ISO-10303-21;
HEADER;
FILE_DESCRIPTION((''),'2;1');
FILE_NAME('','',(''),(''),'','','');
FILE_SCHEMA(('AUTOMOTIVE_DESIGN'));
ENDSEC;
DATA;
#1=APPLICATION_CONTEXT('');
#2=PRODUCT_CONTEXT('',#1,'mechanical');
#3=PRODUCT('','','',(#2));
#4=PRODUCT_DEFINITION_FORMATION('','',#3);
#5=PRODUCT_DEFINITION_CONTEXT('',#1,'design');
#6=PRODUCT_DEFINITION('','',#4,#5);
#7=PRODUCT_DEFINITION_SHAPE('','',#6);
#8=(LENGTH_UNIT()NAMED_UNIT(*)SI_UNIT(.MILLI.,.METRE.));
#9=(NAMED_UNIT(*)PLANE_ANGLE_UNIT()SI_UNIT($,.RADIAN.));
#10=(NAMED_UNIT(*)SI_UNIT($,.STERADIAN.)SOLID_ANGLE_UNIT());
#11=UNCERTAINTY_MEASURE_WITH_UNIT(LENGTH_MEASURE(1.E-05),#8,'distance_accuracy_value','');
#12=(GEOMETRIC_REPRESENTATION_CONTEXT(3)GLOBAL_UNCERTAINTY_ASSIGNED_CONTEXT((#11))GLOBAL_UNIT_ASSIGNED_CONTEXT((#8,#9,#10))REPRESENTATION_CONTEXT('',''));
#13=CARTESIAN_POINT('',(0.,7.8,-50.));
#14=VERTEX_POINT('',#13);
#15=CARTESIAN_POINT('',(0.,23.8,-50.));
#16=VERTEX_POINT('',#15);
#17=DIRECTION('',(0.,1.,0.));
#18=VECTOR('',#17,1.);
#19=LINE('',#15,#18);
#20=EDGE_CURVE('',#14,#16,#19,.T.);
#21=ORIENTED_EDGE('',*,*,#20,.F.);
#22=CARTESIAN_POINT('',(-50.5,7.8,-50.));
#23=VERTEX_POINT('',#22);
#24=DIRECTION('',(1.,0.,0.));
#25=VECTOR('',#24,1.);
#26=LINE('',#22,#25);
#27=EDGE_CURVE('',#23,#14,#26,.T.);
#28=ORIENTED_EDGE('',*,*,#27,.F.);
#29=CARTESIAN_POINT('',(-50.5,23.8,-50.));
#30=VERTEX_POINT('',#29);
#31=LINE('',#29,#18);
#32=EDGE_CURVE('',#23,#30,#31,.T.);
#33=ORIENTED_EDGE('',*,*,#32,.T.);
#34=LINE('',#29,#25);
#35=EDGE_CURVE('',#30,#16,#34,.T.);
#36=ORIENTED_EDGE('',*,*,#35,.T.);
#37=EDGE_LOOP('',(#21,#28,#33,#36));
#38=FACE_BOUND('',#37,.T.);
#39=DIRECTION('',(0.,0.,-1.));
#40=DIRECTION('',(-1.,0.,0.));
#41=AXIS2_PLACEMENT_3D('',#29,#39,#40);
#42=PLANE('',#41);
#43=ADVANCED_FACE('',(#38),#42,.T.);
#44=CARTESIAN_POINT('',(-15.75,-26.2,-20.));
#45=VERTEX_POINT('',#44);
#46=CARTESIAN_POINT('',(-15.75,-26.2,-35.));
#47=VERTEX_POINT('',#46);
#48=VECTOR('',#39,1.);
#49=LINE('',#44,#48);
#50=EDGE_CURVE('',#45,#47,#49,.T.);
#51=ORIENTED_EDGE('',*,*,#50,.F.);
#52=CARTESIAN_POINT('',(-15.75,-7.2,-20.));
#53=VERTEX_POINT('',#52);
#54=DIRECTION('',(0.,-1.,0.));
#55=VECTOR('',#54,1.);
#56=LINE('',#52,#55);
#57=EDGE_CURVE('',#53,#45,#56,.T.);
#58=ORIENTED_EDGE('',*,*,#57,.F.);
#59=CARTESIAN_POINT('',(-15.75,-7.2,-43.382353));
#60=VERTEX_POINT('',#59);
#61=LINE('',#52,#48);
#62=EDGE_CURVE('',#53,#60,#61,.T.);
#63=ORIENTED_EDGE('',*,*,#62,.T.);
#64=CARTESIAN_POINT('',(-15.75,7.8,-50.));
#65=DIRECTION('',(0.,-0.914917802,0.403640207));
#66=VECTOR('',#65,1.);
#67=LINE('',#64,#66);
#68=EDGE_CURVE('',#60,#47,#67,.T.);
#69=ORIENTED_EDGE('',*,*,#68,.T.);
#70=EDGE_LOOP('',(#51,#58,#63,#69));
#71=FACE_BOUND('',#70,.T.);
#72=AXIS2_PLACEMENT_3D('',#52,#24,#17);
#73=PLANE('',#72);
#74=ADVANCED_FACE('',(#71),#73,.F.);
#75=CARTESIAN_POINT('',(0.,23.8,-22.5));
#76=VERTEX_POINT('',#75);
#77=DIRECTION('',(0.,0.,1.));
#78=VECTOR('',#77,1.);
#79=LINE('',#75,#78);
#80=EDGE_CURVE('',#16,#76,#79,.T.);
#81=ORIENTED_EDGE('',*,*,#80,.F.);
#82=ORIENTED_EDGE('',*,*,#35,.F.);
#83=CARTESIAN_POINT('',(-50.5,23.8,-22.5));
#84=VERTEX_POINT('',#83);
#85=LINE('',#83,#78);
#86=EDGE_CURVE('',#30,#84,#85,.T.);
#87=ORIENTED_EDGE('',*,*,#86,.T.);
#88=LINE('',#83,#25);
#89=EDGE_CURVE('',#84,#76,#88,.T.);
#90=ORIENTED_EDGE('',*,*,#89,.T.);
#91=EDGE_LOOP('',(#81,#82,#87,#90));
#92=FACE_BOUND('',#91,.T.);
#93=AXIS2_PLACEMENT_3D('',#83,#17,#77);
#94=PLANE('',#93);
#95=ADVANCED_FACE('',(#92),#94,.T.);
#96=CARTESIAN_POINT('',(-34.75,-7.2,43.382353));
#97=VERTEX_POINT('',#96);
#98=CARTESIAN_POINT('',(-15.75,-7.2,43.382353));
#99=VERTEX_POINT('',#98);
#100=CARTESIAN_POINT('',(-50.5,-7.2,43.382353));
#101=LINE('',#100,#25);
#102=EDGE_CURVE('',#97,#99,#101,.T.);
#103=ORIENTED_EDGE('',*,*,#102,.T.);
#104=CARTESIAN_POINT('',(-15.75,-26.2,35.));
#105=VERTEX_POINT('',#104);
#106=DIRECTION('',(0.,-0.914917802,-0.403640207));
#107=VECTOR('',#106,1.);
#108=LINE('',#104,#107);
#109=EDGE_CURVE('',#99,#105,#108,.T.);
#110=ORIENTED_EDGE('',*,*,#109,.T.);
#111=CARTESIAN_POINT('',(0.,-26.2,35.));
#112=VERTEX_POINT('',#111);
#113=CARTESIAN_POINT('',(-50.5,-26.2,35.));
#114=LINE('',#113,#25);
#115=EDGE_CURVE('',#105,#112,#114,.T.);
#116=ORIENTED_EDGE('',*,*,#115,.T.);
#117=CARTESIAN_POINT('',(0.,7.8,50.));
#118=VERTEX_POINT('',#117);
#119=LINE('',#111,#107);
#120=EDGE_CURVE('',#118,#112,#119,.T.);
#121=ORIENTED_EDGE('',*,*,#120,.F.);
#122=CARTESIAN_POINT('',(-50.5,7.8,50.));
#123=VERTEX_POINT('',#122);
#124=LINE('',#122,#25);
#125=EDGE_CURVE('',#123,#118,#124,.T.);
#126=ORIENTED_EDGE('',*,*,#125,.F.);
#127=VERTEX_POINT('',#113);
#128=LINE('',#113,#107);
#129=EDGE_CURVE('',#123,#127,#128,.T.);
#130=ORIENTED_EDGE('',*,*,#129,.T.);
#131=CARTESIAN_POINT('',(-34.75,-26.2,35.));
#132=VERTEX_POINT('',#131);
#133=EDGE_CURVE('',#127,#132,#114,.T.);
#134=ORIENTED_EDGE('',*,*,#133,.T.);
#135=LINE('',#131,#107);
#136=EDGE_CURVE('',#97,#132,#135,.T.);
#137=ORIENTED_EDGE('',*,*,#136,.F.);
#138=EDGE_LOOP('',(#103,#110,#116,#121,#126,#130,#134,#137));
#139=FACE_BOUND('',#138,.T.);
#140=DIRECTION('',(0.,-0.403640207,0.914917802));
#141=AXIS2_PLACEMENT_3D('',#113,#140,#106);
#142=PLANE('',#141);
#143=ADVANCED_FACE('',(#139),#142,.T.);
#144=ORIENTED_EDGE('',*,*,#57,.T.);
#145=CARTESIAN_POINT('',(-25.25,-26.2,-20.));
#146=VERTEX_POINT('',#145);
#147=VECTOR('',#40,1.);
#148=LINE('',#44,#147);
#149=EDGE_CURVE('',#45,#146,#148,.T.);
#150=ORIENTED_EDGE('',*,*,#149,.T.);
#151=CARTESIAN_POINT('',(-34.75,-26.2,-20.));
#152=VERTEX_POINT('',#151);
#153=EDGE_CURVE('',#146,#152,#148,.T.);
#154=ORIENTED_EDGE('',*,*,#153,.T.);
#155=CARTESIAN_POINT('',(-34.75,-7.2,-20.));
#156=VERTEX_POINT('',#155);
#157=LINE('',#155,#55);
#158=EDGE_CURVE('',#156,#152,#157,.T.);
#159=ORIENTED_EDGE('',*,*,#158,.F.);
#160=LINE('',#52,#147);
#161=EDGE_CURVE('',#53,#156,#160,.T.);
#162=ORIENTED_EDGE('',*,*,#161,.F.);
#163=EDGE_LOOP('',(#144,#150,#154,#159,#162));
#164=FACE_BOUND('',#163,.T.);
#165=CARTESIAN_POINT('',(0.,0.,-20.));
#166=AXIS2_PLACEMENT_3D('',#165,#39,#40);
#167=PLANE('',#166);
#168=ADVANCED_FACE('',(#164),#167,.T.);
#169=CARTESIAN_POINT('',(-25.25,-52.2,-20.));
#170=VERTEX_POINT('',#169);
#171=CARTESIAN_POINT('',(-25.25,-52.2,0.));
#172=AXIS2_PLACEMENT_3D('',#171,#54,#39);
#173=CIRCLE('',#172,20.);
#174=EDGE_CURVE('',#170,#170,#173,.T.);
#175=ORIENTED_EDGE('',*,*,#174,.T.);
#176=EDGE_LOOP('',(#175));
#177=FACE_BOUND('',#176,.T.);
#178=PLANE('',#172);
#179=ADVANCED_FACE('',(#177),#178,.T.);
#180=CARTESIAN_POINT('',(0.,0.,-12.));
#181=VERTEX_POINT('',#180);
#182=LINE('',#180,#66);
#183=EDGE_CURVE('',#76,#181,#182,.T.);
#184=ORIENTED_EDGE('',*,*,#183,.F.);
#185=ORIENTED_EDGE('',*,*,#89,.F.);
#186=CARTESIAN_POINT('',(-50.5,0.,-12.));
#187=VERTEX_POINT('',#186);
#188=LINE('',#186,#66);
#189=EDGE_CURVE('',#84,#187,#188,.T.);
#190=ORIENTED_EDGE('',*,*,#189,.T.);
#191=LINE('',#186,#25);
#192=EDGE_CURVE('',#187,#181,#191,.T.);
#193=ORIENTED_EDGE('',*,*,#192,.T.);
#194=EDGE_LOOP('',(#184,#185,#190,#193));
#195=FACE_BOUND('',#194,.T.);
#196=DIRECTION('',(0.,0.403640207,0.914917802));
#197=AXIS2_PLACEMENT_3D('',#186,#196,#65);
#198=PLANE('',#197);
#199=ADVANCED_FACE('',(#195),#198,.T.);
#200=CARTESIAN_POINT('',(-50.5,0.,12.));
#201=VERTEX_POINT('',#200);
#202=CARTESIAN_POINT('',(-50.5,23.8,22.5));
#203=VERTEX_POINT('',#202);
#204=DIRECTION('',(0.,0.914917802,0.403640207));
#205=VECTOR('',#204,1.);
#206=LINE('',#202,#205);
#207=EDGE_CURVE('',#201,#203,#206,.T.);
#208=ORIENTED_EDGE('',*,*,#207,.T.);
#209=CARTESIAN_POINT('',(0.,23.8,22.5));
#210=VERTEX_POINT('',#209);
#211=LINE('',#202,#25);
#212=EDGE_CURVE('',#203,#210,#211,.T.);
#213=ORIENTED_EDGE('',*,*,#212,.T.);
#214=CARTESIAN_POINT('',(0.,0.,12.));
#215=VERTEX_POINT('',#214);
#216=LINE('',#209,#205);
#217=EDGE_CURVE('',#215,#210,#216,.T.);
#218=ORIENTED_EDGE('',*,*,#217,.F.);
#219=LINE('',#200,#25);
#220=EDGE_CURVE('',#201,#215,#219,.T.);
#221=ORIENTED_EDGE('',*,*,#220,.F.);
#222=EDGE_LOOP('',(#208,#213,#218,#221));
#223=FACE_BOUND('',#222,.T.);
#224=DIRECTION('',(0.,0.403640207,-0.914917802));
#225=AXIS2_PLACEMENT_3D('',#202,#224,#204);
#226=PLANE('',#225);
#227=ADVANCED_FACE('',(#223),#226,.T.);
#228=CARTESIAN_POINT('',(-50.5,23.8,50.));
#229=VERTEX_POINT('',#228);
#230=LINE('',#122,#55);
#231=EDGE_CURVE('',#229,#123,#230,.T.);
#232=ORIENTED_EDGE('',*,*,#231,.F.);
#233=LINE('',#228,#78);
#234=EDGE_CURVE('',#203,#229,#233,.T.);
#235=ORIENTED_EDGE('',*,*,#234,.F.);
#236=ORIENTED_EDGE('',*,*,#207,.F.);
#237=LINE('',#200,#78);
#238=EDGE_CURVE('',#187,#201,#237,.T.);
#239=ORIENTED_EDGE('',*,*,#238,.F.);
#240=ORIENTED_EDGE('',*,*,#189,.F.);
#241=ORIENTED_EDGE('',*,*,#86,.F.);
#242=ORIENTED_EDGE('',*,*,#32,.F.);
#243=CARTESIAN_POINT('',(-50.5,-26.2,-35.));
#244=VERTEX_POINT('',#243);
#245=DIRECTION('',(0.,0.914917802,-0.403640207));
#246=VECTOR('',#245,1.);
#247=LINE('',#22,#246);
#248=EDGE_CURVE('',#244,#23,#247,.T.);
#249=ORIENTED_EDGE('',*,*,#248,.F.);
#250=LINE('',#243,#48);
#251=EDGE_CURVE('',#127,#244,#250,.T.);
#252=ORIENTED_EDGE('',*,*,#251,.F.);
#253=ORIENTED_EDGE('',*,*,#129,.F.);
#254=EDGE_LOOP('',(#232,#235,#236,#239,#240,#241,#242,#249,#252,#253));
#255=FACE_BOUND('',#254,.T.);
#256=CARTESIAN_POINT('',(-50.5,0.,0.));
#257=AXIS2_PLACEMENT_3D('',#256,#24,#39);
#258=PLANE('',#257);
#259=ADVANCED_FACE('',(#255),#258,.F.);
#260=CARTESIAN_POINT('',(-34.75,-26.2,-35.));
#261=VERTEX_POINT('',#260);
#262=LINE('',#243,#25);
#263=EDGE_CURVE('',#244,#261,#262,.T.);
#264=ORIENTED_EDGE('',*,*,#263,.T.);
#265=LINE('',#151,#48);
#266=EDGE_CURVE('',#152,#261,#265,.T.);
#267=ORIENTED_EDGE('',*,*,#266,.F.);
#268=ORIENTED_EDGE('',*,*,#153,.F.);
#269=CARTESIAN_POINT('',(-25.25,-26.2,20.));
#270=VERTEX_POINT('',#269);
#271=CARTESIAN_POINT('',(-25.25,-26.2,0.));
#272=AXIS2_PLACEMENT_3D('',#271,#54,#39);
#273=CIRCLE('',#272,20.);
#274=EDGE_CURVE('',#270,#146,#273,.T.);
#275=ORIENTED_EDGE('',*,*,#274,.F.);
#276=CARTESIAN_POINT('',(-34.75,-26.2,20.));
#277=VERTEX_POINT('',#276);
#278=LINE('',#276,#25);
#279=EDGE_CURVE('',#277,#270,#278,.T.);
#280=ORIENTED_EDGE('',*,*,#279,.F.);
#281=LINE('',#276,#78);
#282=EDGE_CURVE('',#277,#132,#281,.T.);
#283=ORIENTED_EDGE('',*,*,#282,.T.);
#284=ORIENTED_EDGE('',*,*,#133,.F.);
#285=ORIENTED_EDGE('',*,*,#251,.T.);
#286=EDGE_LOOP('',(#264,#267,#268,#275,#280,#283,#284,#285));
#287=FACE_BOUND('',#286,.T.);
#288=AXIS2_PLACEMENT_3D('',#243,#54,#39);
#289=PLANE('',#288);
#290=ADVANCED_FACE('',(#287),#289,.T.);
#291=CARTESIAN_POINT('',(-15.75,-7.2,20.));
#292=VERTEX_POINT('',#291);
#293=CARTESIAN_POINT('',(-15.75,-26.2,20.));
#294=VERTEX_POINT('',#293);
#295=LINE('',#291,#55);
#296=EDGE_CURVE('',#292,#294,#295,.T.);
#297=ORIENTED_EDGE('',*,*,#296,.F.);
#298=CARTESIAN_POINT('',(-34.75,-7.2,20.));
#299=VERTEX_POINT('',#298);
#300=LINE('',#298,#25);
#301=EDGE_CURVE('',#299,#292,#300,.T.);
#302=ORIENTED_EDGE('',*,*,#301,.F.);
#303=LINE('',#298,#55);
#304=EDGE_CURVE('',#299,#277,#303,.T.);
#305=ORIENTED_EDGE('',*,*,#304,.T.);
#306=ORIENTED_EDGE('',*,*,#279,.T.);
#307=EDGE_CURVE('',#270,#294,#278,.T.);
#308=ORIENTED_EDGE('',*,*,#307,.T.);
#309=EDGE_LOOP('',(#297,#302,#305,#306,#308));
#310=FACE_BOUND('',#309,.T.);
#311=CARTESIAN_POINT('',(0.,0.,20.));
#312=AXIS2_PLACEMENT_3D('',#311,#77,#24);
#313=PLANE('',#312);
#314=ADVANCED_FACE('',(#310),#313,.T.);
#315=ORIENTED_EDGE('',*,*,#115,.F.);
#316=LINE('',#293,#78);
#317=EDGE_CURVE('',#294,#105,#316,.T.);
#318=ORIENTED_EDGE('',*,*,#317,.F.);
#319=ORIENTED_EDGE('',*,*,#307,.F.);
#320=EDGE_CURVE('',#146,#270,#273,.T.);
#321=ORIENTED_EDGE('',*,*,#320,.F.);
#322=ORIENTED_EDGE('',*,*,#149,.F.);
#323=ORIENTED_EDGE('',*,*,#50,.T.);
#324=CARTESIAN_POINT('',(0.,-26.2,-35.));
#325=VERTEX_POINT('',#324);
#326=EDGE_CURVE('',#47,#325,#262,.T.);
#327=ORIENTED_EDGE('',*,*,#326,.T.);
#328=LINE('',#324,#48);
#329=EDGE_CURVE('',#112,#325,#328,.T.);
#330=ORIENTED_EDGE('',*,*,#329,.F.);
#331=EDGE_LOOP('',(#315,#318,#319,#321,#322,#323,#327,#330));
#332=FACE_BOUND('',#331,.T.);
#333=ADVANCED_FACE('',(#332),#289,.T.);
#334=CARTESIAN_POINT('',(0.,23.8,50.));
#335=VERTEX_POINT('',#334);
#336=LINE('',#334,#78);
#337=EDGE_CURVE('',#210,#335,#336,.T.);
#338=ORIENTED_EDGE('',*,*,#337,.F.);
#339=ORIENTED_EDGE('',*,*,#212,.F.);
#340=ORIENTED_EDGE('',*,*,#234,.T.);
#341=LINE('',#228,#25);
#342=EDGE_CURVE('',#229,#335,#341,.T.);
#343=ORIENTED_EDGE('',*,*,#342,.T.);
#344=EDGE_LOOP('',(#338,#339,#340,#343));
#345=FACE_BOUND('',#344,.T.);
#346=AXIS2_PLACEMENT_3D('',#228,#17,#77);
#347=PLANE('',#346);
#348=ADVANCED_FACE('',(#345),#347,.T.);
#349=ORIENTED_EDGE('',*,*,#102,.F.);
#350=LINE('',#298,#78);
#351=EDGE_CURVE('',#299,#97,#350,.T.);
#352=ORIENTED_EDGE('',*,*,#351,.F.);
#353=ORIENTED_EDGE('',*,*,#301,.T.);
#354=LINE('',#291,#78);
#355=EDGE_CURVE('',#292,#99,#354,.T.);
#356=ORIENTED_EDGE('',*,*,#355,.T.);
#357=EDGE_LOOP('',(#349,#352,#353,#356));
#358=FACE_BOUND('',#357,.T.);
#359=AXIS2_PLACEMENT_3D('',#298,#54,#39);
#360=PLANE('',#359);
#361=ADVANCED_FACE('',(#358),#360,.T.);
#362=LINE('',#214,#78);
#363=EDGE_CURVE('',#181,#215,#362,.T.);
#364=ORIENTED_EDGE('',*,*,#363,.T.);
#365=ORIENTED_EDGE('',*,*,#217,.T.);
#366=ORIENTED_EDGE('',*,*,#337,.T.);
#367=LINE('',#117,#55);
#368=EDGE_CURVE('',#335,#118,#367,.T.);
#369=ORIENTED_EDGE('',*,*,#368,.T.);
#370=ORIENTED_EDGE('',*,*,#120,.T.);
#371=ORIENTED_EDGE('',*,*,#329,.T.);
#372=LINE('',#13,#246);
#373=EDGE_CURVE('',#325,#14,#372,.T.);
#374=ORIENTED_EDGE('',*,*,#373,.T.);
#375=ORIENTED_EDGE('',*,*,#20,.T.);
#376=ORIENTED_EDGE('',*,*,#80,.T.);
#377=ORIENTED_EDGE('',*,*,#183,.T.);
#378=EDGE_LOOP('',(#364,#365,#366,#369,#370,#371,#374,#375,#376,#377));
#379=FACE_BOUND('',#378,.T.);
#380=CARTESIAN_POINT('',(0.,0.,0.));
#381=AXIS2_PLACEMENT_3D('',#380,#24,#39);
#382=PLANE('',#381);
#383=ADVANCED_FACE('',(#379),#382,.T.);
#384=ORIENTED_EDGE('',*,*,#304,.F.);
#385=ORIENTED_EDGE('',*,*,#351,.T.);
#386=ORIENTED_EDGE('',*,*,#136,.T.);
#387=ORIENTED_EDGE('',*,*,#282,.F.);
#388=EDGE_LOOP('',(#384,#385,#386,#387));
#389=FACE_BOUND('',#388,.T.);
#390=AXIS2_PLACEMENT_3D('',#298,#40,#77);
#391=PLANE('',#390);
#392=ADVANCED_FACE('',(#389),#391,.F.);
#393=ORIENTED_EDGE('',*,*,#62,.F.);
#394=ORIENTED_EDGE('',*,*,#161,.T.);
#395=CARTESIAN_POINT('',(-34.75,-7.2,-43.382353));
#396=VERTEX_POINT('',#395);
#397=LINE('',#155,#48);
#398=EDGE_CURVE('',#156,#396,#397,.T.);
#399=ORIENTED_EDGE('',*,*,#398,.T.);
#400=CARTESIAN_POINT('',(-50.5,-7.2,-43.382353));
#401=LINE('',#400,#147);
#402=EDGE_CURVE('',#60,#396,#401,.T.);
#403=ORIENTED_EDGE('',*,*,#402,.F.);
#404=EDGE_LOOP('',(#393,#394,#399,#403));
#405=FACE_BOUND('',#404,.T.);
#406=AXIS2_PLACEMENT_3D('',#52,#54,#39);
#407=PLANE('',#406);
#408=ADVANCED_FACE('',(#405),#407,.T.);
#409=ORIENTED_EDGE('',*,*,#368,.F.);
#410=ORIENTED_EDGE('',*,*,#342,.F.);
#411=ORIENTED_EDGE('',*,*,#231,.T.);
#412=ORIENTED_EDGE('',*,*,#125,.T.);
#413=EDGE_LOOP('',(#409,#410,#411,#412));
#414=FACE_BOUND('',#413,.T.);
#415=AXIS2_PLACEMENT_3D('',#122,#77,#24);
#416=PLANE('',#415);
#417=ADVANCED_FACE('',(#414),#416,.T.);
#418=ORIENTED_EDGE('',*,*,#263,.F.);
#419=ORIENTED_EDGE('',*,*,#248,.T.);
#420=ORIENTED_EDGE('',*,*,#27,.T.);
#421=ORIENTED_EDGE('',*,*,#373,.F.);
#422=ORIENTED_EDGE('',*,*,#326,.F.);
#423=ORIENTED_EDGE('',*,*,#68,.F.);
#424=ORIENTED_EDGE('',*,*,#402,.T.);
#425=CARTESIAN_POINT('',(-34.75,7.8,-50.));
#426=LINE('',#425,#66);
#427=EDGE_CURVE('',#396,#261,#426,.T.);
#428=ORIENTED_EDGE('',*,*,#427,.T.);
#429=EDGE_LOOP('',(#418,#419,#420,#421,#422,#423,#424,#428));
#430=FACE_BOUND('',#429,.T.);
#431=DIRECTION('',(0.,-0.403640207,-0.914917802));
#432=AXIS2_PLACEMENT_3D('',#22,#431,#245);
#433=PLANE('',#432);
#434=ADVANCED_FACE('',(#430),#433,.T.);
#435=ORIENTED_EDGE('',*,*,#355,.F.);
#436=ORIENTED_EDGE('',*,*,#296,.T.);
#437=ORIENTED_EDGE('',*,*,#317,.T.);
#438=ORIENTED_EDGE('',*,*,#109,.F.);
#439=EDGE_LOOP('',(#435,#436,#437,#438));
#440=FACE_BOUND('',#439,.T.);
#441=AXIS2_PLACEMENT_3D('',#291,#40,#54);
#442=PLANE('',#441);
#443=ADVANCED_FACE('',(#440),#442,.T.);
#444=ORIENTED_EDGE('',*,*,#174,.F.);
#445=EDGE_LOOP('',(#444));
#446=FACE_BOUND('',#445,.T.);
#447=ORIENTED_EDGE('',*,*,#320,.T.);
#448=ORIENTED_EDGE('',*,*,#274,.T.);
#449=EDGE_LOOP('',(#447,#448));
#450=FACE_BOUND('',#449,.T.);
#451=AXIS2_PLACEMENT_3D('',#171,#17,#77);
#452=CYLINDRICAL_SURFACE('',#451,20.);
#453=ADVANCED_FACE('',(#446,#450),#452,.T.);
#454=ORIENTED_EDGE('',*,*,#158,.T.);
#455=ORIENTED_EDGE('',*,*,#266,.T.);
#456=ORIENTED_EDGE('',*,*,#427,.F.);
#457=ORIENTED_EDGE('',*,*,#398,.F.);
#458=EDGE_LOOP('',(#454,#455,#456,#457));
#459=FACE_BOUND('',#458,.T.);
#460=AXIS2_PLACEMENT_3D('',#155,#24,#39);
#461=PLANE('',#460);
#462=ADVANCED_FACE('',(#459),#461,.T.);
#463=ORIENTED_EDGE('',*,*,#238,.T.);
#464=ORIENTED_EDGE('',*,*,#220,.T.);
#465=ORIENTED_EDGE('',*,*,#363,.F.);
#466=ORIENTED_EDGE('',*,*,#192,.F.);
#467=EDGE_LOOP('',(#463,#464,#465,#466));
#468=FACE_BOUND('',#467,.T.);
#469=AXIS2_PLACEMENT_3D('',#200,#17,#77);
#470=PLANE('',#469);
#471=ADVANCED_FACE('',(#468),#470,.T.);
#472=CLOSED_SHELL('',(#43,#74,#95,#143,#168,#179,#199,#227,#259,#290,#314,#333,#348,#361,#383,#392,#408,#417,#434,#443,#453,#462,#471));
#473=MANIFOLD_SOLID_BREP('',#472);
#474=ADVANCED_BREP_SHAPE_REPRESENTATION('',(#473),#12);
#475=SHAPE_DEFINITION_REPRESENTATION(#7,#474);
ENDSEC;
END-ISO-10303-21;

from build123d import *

# Parameters (mm, degrees)
BOSS_EXTRUDE1_DEPTH = 50.5
SKETCH2_R           = 20
BOSS_EXTRUDE2_DEPTH = 26
SKETCH4_W           = 19
SKETCH4_H           = 19
CUT_EXTRUDE1_DEPTH  = 30
SKETCH5_W           = 19
SKETCH5_H           = 19
CUT_EXTRUDE2_DEPTH  = 30


with BuildPart() as part:
    # Sketch1 → Boss-Extrude1 (new body)
    with BuildSketch(Plane(origin=(0, 0, 0), x_dir=(0, 0, -1), z_dir=(1, 0, 0))):
        Polygon((-12, 0), (12, 0), (22.5, 23.8), (50, 23.8), (50, 7.8), (35, -26.2), (-35, -26.2), (-50, 7.8), (-50, 23.8), (-22.5, 23.8), align=None)
    extrude(amount=-BOSS_EXTRUDE1_DEPTH)

    # Sketch2 → Boss-Extrude2 (add)
    with BuildSketch(Plane.XZ.offset(26.2)):
        with Locations(Location((-25.25, 0, 0), (0, 0, 90))):
            Circle(SKETCH2_R)
    extrude(amount=BOSS_EXTRUDE2_DEPTH)

    # Sketch4 → Cut-Extrude1 (cut)
    with BuildSketch(Plane.XY.offset(50)):
        with Locations((-25.25, -16.7)):
            Rectangle(SKETCH4_W, SKETCH4_H)
    extrude(amount=-CUT_EXTRUDE1_DEPTH, mode=Mode.SUBTRACT)

    # Sketch5 → Cut-Extrude2 (cut)
    with BuildSketch(Plane(origin=(0, 0, -50), x_dir=(-1, 0, 0), z_dir=(0, 0, -1))):
        with Locations((25.25, -16.7)):
            Rectangle(SKETCH5_W, SKETCH5_H)
    extrude(amount=-CUT_EXTRUDE2_DEPTH, mode=Mode.SUBTRACT)


solid = part.part
